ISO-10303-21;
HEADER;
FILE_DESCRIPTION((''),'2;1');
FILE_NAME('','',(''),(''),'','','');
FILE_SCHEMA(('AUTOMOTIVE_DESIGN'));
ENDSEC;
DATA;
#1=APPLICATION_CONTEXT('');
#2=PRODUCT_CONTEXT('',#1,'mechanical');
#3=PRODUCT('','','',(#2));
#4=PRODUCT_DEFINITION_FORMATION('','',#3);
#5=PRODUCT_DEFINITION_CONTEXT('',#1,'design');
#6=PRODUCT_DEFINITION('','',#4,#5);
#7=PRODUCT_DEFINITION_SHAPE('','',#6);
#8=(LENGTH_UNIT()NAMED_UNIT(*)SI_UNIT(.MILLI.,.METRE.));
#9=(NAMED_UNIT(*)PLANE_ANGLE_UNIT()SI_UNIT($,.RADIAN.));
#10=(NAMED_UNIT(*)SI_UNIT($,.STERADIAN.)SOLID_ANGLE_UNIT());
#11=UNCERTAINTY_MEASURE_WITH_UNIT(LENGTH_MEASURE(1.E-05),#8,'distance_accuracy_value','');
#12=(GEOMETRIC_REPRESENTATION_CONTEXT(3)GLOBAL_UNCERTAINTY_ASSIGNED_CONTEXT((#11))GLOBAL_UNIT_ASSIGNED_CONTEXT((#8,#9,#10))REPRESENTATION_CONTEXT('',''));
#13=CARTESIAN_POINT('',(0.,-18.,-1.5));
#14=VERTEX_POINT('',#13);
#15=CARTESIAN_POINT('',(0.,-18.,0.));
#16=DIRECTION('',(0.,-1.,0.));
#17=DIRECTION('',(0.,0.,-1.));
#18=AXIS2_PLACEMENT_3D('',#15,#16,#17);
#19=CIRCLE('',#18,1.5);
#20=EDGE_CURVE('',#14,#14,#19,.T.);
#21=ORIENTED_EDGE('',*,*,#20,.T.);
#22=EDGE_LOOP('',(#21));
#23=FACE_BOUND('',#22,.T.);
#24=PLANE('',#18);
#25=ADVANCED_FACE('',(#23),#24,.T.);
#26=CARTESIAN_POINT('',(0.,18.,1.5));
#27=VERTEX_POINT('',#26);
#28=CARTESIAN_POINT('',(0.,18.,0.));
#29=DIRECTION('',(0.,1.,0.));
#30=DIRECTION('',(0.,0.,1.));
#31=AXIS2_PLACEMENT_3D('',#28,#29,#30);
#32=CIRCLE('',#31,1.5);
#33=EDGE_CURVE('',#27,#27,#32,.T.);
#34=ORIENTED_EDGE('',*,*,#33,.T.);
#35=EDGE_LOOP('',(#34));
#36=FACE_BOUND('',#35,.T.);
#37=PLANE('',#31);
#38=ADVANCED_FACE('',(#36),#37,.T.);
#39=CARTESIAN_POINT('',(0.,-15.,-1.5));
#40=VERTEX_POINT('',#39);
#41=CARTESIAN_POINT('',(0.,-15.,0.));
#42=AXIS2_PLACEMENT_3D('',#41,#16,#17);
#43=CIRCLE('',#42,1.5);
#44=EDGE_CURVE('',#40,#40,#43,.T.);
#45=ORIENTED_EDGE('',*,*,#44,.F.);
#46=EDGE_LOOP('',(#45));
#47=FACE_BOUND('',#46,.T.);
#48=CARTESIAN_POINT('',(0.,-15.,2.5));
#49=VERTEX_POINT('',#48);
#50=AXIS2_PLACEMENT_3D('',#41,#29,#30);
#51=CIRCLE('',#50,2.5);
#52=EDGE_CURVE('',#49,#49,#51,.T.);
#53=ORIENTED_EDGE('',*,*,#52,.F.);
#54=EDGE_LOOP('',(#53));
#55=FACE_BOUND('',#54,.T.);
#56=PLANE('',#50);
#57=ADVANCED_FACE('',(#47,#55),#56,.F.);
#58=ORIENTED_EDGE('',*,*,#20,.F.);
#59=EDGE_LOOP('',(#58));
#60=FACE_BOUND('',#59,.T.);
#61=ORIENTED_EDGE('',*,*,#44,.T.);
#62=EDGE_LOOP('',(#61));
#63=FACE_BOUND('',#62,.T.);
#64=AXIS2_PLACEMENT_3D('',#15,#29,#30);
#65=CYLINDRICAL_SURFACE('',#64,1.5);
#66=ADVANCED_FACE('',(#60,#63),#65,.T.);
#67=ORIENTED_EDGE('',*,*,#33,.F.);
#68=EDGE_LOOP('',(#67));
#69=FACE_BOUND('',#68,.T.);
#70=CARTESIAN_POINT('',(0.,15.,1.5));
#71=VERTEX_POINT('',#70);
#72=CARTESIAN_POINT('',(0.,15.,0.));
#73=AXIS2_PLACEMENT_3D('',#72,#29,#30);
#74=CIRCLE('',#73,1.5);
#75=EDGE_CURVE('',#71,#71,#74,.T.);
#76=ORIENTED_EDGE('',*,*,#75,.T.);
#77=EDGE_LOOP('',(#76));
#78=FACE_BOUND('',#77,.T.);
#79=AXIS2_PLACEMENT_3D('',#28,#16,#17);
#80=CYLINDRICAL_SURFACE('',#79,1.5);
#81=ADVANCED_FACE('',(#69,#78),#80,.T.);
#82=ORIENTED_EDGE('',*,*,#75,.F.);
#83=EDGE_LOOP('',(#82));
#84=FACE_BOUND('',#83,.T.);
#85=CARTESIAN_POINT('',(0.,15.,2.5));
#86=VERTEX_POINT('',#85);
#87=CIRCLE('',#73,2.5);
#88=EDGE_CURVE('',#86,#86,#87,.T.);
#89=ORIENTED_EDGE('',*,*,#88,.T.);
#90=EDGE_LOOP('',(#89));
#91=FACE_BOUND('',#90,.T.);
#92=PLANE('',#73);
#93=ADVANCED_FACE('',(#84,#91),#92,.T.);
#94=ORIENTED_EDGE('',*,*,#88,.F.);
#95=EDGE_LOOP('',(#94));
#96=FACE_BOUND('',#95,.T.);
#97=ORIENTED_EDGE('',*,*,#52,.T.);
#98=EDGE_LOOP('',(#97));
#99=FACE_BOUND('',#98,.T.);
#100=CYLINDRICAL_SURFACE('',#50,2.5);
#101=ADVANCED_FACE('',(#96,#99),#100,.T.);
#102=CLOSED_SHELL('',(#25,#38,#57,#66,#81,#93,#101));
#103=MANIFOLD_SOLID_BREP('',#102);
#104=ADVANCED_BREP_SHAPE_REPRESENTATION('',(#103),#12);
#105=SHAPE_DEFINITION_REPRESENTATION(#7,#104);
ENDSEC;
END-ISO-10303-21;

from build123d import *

# Parameters (mm, degrees)
SKETCH_1_R      = 2.5
EXTRUDE_2_DEPTH = 15
SKETCH_2_R      = 1.5
EXTRUDE_3_DEPTH = 3
EXTRUDE_START   = 3
SKETCH_3_R      = 1.5
EXTRUDE_4_DEPTH = 3


with BuildPart() as part:
    # 草图1 → 凸台-拉伸2 (new, symmetric)
    with BuildSketch(Plane(origin=(0, 0, 0), x_dir=(1, 0, 0), z_dir=(0, 1, 0))):
        with Locations(Location((0, 0, 0), (0, 0, 270))):
            Circle(SKETCH_1_R)
    extrude(amount=EXTRUDE_2_DEPTH, both=True)

    # 草图2 → 凸台-拉伸3 (add)
    with BuildSketch(Plane(origin=(0, 15, 0), x_dir=(1, 0, 0), z_dir=(0, 1, 0))):
        with Locations(Location((0, 0, 0), (0, 0, 270))):
            Circle(SKETCH_2_R)
    extrude(amount=EXTRUDE_3_DEPTH)

    # 草图3 → 凸台-拉伸4 (add)
    with BuildSketch(Plane.XZ.offset(15).offset(EXTRUDE_START)):
        with Locations(Location((0, 0, 0), (0, 0, 90))):
            Circle(SKETCH_3_R)
    extrude(amount=-EXTRUDE_4_DEPTH)


solid = part.part
